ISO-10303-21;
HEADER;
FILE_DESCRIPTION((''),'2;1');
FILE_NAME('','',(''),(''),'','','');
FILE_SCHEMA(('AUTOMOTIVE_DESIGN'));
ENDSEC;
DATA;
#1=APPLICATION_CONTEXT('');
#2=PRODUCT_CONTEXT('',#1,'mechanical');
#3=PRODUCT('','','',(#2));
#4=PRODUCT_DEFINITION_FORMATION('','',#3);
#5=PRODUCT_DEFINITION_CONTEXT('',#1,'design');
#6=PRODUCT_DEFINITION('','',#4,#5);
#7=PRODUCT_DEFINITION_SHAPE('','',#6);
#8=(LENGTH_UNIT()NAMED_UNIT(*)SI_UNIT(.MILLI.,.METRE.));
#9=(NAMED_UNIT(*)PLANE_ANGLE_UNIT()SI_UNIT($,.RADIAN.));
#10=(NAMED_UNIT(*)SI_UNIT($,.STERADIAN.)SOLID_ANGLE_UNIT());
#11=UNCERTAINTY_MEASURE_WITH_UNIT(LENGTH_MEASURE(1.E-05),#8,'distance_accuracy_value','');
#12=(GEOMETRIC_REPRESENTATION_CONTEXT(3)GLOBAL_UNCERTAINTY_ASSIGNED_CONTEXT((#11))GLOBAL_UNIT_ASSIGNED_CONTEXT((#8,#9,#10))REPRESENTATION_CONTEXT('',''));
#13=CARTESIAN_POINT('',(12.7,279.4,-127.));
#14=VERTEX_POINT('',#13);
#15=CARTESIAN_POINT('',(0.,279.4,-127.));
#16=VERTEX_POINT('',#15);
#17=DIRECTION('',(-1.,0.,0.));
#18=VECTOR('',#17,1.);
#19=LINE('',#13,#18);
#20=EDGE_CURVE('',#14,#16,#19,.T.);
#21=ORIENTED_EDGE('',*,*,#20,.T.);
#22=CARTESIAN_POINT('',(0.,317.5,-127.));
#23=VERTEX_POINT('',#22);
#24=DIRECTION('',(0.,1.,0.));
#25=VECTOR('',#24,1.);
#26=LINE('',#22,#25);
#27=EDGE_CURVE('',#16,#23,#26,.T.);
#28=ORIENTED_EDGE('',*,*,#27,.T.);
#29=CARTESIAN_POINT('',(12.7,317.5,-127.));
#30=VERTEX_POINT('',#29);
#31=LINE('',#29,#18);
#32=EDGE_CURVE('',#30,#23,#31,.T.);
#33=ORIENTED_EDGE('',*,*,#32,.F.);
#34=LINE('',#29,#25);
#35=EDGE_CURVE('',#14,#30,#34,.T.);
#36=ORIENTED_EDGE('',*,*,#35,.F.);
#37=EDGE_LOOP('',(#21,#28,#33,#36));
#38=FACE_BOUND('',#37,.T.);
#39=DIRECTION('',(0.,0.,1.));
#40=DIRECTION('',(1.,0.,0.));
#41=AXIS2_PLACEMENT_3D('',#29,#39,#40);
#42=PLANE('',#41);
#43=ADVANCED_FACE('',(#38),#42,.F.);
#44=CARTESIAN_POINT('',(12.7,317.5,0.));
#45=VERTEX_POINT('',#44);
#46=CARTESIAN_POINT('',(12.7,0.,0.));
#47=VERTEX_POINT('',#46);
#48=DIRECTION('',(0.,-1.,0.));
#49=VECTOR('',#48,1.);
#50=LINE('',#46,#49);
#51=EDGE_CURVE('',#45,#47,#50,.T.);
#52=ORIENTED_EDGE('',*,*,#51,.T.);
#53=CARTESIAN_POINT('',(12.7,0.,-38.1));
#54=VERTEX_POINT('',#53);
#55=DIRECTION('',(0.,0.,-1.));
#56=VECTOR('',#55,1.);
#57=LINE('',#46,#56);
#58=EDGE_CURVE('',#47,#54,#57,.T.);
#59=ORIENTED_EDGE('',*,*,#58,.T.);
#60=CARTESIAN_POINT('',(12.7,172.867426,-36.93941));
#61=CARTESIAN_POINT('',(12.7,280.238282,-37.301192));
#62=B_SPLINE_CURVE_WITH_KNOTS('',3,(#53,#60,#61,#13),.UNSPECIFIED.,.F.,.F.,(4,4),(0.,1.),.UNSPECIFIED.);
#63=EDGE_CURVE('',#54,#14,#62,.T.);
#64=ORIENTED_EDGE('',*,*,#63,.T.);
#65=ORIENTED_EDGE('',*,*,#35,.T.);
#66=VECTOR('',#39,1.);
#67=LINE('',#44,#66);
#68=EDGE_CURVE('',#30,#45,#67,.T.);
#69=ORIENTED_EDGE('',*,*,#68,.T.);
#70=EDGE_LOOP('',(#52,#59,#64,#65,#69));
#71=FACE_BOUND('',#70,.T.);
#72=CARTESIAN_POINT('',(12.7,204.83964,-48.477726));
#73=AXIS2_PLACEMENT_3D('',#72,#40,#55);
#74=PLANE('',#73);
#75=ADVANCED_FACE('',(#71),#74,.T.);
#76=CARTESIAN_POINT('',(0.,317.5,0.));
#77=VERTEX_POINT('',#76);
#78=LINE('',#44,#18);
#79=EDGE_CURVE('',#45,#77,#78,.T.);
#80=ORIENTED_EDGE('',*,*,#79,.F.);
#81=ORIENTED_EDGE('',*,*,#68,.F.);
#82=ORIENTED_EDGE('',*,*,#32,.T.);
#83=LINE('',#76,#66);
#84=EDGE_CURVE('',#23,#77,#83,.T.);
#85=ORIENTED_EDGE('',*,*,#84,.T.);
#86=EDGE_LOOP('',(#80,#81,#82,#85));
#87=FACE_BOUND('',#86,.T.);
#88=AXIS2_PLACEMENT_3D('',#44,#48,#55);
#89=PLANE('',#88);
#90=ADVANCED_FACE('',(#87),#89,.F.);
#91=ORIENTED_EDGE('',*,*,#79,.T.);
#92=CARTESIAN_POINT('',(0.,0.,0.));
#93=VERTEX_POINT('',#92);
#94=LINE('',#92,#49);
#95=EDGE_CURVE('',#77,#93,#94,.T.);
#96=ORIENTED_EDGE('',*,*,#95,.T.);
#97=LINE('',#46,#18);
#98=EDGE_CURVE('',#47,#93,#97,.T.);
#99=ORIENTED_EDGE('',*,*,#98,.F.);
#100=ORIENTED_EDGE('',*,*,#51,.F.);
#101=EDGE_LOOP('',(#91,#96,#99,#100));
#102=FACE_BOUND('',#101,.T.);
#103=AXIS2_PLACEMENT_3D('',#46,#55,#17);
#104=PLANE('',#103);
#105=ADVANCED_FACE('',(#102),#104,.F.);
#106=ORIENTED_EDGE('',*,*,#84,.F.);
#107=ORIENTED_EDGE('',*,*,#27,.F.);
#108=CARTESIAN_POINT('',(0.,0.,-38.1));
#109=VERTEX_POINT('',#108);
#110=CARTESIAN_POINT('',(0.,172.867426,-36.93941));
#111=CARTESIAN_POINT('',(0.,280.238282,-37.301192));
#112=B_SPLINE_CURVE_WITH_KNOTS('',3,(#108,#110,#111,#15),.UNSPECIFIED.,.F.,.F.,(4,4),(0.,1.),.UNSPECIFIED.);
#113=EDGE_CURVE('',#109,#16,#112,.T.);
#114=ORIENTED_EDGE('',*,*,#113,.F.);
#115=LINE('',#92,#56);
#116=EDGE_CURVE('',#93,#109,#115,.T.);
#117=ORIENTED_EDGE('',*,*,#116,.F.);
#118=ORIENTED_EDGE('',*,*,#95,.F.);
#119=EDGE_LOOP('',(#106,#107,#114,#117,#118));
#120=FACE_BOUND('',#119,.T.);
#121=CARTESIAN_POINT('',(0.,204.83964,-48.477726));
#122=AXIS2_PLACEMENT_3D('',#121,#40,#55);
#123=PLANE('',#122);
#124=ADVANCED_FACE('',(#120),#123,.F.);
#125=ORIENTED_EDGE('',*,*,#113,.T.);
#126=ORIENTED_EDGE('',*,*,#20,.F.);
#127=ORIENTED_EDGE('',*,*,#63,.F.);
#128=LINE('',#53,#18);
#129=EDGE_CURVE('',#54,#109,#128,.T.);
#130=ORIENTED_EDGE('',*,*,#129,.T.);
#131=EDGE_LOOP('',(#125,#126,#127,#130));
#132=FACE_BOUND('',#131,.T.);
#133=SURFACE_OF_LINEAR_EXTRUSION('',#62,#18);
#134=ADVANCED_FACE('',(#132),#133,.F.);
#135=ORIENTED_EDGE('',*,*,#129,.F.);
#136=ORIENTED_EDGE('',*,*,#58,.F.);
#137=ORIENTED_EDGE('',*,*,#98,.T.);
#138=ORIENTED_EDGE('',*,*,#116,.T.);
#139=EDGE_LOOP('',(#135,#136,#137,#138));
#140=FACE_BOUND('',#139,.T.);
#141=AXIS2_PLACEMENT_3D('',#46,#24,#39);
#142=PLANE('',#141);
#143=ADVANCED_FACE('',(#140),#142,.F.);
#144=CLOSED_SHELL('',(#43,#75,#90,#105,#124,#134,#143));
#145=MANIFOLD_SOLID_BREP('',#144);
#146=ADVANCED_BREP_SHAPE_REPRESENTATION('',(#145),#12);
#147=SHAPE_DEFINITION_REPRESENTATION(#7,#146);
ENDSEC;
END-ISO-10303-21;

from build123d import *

# Parameters (mm, degrees)
BOSS_EXTRUDE1_DEPTH = 12.7


with BuildPart() as part:
    # Sketch1 → Boss-Extrude1 (new body)
    with BuildSketch(Plane(origin=(0, 0, 0), x_dir=(0, 0, -1), z_dir=(1, 0, 0))):
        with BuildLine():
            Line((0, 0), (0, 317.5))
            Line((0, 317.5), (127, 317.5))
            Line((127, 317.5), (127, 279.4))
            add(Edge.make_bspline(
                [(38.1, 0), (36.939409863, 172.867425699), (37.301191912, 280.238281825), (127, 279.4)],
                knots=[0, 0, 0, 0, 1, 1, 1, 1], degree=3))
            Line((38.1, 0), (0, 0))
        make_face()
    extrude(amount=BOSS_EXTRUDE1_DEPTH)


solid = part.part
